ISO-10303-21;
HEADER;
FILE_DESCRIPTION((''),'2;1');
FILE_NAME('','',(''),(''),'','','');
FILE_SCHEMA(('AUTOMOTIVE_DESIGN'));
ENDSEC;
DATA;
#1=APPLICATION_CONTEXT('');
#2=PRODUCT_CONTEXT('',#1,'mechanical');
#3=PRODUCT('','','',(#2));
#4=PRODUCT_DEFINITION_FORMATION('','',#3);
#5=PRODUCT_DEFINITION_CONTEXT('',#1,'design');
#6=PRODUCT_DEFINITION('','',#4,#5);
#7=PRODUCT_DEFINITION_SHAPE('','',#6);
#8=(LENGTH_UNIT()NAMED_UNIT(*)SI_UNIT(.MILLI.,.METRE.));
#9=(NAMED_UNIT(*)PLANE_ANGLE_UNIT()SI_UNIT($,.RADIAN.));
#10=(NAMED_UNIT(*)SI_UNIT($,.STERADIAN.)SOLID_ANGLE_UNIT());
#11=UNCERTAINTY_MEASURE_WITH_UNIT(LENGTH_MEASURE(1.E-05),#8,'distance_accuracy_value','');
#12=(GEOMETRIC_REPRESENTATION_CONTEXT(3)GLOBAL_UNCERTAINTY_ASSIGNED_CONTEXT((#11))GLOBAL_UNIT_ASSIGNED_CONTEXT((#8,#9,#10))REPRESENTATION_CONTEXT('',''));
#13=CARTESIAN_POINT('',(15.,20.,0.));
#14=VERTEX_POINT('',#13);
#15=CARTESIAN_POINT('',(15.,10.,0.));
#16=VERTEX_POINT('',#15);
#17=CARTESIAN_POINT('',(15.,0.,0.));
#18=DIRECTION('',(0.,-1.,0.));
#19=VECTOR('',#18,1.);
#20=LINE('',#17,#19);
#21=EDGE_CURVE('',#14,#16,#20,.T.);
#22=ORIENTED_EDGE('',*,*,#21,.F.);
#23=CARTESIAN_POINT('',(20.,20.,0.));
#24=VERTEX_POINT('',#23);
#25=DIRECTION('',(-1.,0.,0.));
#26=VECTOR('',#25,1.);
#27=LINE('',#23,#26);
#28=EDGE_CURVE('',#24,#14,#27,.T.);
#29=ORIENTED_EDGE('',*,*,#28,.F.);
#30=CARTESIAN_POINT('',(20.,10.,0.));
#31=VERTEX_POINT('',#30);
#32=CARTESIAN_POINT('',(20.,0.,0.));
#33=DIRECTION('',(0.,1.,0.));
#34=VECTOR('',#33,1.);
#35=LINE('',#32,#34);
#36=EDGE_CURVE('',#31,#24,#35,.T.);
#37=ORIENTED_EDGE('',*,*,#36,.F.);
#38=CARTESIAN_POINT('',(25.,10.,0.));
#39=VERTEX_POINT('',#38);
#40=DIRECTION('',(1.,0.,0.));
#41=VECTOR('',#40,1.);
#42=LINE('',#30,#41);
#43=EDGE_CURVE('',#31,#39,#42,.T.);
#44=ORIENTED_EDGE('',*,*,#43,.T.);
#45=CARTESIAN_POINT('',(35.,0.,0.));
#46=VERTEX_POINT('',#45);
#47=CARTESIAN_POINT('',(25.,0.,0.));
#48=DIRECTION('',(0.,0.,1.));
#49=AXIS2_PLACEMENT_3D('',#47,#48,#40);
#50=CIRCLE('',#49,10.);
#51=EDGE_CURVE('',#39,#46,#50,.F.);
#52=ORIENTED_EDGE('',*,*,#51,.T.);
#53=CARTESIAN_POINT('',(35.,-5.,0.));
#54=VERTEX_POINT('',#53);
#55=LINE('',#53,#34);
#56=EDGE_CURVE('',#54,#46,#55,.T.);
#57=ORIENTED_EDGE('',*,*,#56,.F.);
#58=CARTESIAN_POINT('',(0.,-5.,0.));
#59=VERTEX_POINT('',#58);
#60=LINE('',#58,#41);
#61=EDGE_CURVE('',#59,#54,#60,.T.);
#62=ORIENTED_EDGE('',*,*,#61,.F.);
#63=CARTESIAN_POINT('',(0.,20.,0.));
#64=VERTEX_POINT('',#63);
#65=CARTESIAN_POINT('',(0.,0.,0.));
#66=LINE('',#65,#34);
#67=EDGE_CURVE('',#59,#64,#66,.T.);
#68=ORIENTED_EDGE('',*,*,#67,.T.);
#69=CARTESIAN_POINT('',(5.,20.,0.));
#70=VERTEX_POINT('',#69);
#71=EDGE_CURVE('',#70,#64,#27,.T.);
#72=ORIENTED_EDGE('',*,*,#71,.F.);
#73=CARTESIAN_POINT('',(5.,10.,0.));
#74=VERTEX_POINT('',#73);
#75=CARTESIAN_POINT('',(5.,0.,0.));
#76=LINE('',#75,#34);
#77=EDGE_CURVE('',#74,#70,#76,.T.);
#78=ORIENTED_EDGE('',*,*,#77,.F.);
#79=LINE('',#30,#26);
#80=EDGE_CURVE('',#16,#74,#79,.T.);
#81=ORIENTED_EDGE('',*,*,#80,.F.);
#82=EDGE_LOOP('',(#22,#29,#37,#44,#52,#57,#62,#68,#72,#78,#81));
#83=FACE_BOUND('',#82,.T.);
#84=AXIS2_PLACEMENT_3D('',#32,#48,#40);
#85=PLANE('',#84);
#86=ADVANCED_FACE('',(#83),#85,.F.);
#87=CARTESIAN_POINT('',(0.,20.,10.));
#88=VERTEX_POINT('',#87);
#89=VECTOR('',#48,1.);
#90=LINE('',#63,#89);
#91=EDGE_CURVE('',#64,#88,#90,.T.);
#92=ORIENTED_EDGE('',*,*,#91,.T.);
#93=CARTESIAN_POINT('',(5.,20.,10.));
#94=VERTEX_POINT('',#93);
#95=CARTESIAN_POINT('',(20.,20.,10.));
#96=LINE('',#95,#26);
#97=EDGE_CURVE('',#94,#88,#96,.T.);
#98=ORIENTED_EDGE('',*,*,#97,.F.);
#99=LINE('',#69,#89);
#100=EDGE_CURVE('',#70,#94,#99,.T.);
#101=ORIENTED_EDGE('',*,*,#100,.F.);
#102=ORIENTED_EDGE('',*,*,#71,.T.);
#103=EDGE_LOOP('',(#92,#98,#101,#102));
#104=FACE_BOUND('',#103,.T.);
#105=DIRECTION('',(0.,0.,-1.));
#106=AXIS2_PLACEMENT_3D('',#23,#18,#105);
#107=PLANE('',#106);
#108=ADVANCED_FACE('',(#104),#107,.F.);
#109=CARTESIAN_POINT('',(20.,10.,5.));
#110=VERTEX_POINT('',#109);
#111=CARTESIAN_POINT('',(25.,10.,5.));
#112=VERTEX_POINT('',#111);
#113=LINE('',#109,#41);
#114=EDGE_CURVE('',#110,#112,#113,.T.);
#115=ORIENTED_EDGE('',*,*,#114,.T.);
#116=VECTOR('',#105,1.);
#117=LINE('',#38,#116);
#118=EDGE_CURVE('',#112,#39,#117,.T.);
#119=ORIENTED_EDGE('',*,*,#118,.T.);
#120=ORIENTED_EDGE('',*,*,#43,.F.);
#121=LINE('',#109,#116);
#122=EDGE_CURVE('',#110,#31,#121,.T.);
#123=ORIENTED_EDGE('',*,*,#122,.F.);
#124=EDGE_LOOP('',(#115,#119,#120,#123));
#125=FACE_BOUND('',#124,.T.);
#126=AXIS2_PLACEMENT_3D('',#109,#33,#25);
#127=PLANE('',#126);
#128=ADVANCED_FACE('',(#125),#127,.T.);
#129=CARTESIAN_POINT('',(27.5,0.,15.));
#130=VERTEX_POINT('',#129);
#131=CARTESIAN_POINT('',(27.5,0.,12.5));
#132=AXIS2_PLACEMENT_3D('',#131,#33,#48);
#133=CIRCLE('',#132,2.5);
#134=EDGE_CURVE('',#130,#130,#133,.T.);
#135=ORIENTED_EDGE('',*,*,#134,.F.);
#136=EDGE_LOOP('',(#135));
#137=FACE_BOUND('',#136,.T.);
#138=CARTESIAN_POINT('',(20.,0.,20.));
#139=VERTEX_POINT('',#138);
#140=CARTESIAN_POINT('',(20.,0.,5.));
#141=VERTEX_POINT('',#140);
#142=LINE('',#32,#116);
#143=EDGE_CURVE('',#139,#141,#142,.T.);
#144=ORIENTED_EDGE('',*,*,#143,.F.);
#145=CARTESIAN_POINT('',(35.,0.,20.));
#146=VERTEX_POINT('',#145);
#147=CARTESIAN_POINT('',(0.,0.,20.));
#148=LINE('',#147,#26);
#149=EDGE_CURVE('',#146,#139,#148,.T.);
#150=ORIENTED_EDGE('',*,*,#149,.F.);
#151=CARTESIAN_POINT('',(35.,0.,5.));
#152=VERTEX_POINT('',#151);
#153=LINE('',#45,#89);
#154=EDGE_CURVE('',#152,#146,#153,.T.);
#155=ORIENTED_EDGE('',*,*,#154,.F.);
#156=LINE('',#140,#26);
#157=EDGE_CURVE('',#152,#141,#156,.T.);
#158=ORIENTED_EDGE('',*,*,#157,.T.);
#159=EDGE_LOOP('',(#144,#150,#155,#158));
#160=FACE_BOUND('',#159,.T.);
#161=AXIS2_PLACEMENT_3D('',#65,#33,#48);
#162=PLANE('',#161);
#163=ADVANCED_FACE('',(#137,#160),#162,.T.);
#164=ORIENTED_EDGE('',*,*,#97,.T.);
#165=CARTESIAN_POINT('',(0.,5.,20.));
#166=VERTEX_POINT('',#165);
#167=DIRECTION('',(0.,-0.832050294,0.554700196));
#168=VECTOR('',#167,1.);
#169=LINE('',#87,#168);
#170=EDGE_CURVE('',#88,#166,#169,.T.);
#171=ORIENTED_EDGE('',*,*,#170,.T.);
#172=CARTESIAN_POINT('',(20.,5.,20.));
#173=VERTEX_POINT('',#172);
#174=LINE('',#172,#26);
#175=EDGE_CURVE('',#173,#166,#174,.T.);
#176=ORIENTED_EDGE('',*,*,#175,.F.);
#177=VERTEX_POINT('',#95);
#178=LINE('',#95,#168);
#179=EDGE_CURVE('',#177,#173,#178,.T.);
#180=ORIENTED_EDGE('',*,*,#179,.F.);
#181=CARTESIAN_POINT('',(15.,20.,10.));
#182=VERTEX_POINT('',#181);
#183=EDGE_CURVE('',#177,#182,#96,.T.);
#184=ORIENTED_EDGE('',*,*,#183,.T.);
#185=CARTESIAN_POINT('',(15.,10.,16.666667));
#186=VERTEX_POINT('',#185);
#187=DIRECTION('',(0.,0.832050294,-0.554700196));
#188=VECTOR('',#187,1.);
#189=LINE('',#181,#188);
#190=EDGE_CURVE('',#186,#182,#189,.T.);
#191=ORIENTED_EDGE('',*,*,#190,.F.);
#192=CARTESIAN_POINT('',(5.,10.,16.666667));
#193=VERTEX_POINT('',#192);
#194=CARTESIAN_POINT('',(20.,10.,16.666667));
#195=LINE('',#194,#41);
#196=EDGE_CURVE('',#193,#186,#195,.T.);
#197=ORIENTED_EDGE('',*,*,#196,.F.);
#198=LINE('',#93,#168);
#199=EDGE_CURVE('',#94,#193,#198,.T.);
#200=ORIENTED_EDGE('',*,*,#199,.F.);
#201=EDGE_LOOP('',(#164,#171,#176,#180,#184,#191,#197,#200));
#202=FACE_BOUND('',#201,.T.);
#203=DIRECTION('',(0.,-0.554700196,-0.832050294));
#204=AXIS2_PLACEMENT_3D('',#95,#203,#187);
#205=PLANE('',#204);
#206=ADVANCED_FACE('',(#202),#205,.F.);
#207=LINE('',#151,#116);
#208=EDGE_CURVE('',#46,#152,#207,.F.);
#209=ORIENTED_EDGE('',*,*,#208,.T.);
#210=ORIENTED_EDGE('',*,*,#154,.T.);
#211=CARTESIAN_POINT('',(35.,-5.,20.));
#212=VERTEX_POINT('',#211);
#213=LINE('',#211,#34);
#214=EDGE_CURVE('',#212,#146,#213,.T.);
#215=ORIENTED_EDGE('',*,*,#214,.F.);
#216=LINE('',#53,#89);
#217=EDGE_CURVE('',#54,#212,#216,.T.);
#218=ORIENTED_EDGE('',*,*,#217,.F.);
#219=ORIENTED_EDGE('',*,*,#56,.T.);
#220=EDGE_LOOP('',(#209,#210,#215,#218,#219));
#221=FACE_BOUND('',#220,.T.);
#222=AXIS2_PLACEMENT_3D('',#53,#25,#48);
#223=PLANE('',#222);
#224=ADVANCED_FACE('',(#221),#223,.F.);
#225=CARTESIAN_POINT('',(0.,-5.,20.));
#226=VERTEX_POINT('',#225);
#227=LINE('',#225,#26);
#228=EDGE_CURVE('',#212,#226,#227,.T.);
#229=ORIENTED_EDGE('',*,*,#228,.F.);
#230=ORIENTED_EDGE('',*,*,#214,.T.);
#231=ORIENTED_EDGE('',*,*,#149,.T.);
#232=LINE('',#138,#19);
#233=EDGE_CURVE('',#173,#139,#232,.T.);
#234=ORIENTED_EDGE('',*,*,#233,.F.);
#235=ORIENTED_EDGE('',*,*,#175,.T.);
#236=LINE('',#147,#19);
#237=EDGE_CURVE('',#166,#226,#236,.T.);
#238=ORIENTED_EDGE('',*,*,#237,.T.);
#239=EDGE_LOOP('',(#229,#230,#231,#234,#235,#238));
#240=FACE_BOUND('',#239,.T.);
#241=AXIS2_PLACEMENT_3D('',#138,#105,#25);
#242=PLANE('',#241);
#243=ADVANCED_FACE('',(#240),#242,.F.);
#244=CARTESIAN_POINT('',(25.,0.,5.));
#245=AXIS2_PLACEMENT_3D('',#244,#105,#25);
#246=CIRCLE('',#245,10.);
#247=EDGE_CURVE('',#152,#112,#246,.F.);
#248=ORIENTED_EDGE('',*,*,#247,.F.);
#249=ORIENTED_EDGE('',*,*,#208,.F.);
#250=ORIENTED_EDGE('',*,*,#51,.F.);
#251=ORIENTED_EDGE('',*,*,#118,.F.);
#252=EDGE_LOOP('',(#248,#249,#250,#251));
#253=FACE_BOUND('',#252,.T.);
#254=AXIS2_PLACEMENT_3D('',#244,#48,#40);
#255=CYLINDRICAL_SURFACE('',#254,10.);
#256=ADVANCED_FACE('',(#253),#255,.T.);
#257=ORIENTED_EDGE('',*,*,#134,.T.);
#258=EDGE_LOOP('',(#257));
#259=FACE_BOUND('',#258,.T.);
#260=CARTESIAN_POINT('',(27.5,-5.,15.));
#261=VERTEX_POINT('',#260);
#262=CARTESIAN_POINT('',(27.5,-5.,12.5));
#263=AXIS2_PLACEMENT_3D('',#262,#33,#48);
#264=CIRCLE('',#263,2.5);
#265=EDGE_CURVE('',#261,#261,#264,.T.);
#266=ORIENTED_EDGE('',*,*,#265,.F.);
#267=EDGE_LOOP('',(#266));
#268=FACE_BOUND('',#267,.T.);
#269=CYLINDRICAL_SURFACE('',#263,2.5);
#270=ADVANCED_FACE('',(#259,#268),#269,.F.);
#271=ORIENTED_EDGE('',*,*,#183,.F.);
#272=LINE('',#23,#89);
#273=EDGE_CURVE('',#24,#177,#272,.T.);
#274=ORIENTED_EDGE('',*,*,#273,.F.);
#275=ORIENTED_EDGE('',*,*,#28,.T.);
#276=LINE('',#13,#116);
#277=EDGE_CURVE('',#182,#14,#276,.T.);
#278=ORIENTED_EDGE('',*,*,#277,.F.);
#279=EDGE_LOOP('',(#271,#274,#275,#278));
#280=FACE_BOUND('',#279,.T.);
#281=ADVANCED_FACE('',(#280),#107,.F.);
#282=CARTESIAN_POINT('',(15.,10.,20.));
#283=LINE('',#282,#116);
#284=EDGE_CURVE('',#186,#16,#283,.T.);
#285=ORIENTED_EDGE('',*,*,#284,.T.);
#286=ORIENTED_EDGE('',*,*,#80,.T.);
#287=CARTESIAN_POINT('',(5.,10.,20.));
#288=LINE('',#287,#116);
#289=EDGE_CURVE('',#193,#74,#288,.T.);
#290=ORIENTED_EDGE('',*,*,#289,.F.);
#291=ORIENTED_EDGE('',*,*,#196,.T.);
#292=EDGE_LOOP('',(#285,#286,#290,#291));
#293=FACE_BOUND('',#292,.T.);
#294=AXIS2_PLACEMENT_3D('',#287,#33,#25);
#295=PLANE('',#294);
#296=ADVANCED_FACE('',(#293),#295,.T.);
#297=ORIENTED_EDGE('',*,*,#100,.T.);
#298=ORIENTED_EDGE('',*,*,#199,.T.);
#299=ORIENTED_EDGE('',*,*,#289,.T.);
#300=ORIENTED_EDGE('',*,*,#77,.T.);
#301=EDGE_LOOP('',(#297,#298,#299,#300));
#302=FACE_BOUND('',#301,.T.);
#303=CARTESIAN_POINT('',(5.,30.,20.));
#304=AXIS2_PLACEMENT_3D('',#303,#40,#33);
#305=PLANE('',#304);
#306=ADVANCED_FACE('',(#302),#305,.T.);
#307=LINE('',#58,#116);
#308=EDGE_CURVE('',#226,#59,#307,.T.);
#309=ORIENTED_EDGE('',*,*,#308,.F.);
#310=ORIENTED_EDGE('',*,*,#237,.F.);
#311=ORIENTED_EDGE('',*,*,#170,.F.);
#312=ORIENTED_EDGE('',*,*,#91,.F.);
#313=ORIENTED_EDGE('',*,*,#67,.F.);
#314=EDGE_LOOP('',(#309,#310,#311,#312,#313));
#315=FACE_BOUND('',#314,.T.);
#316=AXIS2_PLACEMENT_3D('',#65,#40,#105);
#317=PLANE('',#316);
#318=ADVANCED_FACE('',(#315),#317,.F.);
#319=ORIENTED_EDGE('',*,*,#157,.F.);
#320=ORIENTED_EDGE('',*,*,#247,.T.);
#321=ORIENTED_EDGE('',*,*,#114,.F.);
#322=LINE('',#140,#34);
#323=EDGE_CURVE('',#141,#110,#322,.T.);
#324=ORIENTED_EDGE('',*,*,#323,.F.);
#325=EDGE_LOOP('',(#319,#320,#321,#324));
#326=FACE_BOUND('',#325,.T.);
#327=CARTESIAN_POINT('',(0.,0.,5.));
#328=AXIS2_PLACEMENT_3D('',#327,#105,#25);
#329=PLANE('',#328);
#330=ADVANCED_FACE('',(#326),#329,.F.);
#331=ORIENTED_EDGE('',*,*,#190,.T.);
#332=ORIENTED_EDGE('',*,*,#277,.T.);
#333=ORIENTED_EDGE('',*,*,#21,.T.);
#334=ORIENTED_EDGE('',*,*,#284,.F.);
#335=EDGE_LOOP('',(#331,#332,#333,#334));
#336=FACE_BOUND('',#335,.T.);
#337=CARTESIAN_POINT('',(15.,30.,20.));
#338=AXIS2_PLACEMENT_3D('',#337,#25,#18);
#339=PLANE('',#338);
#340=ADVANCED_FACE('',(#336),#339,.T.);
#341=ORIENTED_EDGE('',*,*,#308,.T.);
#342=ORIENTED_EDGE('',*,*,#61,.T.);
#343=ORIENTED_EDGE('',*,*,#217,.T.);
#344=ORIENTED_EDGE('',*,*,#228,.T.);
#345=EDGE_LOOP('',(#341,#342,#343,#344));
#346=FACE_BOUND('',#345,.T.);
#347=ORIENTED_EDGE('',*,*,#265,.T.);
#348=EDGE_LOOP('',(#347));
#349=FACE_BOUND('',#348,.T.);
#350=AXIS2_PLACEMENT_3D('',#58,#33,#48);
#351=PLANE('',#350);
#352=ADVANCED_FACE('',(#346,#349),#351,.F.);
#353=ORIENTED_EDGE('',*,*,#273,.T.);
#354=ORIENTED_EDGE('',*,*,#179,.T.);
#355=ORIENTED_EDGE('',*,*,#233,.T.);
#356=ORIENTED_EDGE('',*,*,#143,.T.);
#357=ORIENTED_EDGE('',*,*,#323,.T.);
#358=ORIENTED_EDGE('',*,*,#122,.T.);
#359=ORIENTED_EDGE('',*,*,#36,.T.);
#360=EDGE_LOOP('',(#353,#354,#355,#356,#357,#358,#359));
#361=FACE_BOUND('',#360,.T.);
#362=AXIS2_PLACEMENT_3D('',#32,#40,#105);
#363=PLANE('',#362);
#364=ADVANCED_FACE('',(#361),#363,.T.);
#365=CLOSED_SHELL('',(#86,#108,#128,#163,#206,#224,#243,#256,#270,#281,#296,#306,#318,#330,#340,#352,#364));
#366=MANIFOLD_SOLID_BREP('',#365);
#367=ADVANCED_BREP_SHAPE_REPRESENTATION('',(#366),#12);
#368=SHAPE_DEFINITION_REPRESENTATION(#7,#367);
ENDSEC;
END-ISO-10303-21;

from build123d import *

# Parameters (mm, degrees)
EXTRUDE_1_DEPTH          = 20
SKETCH_3_W               = 35
SKETCH_3_H               = 20
EXTRUDE_2_DEPTH          = 5
SKETCH_4_W               = 15
SKETCH_4_H               = 10
EXTRUDE_3_DEPTH          = 5
FILLET_1_R               = 10
CUT_EXTRUDE_1_DEPTH      = 46
CUT_EXTRUDE_1_DEPTH_BACK = 46
SKETCH_5_W               = 10
SKETCH_5_H               = 20
SKETCH_6_R               = 2.5
CUT_EXTRUDE_2_DEPTH      = 5


with BuildPart() as part:
    # 草圖1 → 填料-伸長1 (new body)
    with BuildSketch(Plane(origin=(0, 0, 0), x_dir=(0, 0, -1), z_dir=(1, 0, 0))):
        Polygon((-10, 20), (-20, 5), (-20, 0), (0, 0), (0, 20), align=None)
    extrude(amount=EXTRUDE_1_DEPTH)

    # 草圖3 → 填料-伸長2 (add)
    with BuildSketch(Plane.XZ):
        with Locations((17.5, 10)):
            Rectangle(SKETCH_3_W, SKETCH_3_H)
    extrude(amount=EXTRUDE_2_DEPTH)

    # 草圖4 → 填料-伸長3 (add)
    with BuildSketch(Plane(origin=(0, 0, 0), x_dir=(-1, 0, 0), z_dir=(0, 0, -1))):
        with Locations((-27.5, 5)):
            Rectangle(SKETCH_4_W, SKETCH_4_H)
    extrude(amount=-EXTRUDE_3_DEPTH)

    # 圓角1
    fillet_1_edges = [part.edges().sort_by_distance(p)[0] for p in [
        (35, 10, 2.5),
    ]]
    fillet(fillet_1_edges, radius=FILLET_1_R)

    # 草圖5 → 除料-伸長1 (cut, two sides: drawn at the far end of the back side and taken through both)
    with BuildSketch(Plane.XY.offset(-CUT_EXTRUDE_1_DEPTH_BACK)):
        with Locations((10, 20)):
            Rectangle(SKETCH_5_W, SKETCH_5_H)
    extrude(amount=CUT_EXTRUDE_1_DEPTH + CUT_EXTRUDE_1_DEPTH_BACK, mode=Mode.SUBTRACT)

    # 草圖6 → 除料-伸長2 (cut)
    with BuildSketch(Plane(origin=(0, 0, 0), x_dir=(1, 0, 0), z_dir=(0, 1, 0))):
        with Locations(Location((27.5, -12.5, 0), (0, 0, 270))):
            Circle(SKETCH_6_R)
    extrude(amount=-CUT_EXTRUDE_2_DEPTH, mode=Mode.SUBTRACT)


solid = part.part
